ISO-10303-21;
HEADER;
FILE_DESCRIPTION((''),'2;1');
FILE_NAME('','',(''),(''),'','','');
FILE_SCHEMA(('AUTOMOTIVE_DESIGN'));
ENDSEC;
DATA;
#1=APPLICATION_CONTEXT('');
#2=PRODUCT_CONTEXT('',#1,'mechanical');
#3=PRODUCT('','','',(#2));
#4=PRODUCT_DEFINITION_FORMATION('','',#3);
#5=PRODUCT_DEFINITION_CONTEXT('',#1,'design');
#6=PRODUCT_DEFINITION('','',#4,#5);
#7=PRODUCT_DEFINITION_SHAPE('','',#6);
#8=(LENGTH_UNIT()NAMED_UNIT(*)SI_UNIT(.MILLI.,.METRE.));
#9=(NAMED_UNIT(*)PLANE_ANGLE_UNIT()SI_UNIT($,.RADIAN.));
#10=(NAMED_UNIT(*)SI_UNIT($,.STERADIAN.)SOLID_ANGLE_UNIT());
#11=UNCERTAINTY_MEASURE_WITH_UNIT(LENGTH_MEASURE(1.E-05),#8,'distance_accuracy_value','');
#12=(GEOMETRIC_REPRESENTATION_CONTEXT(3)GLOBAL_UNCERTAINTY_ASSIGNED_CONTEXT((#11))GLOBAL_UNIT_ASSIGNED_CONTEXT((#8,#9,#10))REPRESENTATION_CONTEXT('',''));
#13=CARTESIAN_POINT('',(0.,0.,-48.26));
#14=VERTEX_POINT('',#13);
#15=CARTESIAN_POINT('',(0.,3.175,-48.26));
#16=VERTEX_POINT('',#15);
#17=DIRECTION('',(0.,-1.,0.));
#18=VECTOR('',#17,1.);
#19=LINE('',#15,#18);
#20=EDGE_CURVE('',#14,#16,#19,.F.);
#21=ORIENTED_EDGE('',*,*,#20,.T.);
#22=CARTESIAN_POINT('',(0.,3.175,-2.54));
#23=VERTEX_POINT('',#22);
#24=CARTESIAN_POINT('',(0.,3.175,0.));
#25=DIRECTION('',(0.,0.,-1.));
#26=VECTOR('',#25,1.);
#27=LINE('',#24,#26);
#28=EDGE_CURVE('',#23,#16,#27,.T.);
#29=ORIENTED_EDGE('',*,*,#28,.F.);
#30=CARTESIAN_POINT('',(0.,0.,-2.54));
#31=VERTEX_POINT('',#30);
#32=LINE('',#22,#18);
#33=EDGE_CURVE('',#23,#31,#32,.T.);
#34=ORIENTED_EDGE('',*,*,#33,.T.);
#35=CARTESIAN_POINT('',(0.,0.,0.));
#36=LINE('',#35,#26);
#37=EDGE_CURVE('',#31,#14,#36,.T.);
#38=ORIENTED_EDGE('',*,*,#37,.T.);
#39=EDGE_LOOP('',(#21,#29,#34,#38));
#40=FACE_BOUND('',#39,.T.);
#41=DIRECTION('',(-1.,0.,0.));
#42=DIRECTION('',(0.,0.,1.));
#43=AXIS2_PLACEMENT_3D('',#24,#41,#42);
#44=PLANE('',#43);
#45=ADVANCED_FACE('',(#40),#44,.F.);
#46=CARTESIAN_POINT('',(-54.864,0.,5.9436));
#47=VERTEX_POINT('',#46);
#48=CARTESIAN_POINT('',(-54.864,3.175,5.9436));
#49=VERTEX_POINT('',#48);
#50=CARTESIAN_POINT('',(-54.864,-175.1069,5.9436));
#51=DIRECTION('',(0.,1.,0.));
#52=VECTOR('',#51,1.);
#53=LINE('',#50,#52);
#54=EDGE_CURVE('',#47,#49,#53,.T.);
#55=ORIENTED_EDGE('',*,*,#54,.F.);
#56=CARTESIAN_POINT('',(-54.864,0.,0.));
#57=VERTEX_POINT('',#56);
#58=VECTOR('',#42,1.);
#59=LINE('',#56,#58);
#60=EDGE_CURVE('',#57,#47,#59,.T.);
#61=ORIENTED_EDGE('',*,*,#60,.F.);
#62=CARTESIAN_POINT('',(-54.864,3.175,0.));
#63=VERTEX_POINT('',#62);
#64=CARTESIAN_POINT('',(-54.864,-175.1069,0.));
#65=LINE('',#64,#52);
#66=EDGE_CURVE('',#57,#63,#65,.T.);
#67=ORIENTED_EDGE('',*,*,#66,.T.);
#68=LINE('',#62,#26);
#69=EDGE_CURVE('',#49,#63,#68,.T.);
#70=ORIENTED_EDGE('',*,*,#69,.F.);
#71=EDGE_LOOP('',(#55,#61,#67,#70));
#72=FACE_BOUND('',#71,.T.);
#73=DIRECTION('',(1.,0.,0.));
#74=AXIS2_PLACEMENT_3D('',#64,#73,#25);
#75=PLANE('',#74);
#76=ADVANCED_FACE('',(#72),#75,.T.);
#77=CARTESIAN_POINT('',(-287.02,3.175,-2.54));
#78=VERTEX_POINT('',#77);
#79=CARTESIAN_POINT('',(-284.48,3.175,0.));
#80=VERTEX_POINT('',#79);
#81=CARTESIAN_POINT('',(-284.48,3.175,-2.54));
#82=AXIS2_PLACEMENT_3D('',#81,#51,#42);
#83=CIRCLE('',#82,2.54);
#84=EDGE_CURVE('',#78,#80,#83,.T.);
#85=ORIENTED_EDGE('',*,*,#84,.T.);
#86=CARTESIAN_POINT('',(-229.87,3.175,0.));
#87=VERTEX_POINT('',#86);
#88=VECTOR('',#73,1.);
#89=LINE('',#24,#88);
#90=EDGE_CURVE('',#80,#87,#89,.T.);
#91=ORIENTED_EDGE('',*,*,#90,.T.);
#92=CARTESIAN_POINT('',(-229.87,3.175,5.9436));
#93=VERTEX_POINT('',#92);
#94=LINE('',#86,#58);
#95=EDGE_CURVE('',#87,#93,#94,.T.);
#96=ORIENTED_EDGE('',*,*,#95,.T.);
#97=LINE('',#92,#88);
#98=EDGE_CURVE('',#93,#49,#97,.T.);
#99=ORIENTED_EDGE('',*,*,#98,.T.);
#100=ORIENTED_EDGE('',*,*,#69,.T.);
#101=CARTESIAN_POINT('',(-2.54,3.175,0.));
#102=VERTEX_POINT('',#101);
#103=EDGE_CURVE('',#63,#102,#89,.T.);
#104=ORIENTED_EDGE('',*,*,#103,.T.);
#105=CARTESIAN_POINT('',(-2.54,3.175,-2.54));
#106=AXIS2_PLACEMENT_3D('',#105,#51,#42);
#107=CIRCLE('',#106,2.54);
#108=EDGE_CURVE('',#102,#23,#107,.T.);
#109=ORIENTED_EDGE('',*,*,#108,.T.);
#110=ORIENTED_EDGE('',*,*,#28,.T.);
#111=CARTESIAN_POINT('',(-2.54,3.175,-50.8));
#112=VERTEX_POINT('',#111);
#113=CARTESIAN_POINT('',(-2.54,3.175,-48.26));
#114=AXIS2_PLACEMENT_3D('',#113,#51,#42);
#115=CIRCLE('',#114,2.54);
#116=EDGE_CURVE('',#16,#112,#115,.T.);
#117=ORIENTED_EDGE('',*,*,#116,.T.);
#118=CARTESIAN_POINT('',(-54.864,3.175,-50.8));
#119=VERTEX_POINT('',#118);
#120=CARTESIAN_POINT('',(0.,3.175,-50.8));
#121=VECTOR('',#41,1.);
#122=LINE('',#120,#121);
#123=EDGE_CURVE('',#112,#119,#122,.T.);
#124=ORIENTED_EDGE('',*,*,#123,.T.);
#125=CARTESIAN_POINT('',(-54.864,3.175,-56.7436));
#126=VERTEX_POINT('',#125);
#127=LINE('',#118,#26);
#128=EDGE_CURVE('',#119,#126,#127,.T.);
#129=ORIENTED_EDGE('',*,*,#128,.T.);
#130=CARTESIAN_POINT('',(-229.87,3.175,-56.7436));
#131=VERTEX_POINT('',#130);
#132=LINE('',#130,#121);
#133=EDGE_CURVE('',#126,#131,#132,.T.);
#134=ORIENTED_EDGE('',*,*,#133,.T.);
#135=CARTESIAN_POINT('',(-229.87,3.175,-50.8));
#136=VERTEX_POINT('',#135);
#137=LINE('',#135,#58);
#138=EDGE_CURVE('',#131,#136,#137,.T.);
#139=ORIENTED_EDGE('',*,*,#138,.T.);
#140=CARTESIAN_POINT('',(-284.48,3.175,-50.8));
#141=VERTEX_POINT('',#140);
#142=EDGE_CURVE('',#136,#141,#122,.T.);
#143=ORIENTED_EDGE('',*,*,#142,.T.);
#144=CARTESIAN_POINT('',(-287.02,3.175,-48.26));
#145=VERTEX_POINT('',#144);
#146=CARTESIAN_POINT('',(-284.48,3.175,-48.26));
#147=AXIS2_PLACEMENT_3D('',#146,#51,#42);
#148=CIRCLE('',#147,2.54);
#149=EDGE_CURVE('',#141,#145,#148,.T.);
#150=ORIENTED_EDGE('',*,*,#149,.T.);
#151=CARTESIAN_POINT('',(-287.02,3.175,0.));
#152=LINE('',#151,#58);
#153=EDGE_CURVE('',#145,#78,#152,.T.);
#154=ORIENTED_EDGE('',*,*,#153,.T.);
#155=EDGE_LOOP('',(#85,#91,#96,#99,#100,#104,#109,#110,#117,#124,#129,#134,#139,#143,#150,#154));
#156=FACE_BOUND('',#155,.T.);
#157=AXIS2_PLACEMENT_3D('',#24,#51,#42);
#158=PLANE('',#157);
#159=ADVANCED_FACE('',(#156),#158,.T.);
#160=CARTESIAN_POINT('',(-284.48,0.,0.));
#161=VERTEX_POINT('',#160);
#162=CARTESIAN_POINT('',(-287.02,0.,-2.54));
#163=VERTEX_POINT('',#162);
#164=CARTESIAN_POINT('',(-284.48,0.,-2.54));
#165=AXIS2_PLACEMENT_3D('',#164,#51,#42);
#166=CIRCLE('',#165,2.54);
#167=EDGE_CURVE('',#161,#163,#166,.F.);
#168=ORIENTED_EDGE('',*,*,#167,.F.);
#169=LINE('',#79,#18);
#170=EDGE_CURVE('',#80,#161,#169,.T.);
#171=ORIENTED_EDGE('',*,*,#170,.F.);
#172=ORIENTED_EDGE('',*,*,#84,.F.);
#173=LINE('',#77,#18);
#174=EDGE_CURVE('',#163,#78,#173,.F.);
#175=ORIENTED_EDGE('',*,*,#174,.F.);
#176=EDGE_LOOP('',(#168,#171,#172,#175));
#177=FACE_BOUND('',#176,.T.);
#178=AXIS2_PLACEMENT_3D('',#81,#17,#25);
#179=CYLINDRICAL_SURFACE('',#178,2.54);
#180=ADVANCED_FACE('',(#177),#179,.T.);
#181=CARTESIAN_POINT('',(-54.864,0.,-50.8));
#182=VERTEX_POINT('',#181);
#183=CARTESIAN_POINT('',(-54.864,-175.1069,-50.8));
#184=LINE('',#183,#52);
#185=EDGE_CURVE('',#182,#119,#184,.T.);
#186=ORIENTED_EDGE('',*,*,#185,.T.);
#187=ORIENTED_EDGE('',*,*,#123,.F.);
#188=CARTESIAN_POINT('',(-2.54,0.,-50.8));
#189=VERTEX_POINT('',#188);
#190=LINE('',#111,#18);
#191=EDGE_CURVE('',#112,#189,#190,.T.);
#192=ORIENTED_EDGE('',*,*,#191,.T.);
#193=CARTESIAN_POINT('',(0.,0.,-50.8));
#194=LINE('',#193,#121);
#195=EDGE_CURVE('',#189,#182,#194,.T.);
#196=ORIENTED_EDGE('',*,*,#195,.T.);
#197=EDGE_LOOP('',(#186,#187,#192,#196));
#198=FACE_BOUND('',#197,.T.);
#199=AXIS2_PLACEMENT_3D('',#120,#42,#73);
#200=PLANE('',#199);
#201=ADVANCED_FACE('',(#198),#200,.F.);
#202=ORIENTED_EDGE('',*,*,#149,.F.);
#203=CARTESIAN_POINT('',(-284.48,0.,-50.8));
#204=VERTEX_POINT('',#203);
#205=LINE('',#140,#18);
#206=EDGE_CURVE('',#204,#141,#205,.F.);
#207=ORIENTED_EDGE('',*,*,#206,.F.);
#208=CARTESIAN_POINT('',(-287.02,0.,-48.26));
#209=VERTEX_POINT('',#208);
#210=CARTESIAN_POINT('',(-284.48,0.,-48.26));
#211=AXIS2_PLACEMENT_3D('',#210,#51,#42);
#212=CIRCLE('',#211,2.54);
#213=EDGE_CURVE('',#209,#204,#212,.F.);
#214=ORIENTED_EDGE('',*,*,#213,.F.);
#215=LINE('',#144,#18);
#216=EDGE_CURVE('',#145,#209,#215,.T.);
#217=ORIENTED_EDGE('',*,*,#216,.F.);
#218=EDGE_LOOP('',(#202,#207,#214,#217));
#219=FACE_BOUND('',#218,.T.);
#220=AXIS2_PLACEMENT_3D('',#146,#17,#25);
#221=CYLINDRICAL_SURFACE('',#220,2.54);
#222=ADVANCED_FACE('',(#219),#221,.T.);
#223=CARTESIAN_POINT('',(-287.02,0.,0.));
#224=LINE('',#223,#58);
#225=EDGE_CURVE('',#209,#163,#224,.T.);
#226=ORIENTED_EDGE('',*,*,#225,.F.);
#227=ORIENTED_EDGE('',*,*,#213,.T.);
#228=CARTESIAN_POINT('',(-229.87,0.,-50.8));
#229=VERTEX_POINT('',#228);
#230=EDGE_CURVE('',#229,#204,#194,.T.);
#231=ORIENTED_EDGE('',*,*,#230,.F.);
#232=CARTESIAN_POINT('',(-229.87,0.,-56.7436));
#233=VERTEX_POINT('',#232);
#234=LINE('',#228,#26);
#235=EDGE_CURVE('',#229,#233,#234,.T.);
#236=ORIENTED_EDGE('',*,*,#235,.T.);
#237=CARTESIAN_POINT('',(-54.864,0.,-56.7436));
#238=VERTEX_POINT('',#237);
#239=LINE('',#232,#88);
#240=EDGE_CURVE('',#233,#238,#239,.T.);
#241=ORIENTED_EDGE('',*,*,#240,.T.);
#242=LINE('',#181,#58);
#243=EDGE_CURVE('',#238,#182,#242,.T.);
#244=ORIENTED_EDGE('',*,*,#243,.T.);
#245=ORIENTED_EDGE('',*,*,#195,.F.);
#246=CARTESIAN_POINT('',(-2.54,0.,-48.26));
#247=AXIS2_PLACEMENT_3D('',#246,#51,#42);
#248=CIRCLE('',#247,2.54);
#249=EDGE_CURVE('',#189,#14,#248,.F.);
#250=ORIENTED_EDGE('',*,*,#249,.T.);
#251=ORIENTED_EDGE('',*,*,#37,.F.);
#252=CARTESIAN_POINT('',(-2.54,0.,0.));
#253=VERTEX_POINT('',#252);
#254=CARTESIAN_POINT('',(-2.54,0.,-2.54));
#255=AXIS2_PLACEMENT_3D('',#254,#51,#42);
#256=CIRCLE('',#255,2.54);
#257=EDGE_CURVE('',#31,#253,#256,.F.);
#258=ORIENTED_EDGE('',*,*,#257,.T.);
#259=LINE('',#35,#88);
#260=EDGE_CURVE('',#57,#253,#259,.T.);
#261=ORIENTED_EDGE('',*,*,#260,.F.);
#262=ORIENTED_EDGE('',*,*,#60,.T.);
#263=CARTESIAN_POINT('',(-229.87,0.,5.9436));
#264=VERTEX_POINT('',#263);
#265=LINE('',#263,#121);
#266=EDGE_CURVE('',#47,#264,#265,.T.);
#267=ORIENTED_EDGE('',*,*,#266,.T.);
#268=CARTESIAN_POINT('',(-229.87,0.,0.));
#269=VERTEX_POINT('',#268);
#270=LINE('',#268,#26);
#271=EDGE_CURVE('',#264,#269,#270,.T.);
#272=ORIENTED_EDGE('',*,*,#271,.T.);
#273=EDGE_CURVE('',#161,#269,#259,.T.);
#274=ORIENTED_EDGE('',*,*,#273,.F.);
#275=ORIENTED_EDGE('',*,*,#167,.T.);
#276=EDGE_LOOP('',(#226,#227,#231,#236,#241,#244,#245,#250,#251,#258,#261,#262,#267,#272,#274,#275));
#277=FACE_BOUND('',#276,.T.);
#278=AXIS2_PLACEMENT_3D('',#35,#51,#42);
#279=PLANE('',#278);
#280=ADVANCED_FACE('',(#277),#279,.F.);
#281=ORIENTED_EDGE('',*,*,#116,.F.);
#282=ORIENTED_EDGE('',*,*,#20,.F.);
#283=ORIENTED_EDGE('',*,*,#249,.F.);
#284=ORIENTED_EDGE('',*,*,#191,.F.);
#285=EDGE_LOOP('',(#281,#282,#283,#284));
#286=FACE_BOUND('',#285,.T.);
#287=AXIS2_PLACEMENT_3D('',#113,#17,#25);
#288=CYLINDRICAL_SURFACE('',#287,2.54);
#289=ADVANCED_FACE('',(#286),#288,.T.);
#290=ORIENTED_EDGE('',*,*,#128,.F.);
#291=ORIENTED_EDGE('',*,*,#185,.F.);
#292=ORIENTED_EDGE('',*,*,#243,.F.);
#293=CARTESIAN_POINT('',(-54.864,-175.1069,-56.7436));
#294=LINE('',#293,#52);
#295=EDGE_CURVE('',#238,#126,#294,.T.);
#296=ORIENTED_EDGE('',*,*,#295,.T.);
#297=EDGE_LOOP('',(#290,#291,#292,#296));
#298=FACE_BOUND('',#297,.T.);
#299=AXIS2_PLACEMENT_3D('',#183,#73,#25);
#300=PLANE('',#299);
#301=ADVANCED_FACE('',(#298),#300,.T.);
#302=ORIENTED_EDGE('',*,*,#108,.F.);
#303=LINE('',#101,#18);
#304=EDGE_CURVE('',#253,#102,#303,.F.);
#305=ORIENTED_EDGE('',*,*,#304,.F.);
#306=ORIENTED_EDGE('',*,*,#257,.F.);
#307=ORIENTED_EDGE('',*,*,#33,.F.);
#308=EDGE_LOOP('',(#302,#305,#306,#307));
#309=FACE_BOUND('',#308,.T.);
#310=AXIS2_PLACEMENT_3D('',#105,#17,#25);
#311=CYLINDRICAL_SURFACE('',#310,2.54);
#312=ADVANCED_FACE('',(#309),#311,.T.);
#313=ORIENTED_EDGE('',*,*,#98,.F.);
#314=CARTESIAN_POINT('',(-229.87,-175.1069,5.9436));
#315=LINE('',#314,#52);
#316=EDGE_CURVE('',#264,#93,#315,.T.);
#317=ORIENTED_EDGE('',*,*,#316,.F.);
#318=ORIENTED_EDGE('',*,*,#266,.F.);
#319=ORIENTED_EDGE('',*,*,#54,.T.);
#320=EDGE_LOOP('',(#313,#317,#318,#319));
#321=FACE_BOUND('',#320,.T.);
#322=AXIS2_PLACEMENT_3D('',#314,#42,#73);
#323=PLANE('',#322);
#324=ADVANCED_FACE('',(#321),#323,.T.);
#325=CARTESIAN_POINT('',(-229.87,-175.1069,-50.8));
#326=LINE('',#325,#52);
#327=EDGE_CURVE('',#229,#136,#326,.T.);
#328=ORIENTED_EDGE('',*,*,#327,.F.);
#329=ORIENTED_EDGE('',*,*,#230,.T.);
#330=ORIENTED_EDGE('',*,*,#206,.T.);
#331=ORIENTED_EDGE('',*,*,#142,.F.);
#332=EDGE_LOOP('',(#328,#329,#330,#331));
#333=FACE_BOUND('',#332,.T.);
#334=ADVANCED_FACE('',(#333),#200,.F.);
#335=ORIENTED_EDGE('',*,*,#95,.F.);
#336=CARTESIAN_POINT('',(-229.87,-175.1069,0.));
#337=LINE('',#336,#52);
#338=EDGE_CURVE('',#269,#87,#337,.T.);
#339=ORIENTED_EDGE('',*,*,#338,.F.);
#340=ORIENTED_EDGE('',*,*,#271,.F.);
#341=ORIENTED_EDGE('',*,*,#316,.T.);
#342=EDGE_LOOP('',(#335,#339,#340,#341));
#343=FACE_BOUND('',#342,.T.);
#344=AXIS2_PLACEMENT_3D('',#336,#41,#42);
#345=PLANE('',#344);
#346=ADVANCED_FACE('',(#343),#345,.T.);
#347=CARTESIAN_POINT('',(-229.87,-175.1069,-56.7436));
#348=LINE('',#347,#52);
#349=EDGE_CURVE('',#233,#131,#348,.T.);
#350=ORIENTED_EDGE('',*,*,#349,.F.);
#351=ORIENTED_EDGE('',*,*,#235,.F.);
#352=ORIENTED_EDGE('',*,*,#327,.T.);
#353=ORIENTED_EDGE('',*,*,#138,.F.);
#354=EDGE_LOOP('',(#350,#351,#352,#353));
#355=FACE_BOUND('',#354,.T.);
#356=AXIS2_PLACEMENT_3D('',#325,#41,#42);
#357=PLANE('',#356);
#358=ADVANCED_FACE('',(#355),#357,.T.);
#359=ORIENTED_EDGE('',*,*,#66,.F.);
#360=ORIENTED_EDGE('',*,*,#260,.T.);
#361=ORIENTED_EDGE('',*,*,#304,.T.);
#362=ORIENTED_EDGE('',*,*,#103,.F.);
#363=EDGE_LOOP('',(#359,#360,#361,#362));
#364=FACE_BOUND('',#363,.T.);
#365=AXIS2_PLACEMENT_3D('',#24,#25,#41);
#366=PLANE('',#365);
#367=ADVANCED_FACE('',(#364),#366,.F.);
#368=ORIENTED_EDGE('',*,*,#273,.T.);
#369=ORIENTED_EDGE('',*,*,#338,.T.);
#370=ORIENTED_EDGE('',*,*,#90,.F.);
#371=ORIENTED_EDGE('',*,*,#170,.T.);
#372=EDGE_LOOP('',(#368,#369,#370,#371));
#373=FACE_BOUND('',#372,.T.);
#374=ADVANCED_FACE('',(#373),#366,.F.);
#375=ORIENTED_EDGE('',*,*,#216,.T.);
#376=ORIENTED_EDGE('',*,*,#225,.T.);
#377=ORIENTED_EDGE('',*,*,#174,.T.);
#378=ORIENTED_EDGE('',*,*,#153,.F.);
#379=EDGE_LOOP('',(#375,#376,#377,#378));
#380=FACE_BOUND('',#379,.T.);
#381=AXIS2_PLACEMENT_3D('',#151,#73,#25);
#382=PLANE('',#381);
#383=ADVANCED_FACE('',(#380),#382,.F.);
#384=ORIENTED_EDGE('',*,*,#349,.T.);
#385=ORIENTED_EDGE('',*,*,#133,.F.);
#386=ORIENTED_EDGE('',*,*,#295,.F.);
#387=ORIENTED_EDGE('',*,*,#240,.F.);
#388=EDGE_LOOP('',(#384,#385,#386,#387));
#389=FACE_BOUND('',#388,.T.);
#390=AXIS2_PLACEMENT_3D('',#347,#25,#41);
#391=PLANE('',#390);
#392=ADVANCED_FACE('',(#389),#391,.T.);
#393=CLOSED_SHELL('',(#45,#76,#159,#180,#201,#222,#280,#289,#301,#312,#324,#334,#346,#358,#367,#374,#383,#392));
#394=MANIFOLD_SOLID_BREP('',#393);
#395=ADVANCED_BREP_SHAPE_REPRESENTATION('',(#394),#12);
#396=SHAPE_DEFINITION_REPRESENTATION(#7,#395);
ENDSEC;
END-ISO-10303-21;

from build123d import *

# Parameters (mm, degrees)
SKETCH1_W           = 287.02
SKETCH1_H           = 50.8
BOSS_EXTRUDE1_DEPTH = 3.175
SKETCH2_W           = 175.006
SKETCH2_H           = 5.9436
BOSS_EXTRUDE2_DEPTH = 3.175
FILLET1_R           = 2.54
FILLET2_R           = 2.54


with BuildPart() as part:
    # Sketch1 → Boss-Extrude1 (new body)
    with BuildSketch(Plane(origin=(0, 0, 0), x_dir=(1, 0, 0), z_dir=(0, 1, 0))):
        with Locations((-143.51, 25.4)):
            Rectangle(SKETCH1_W, SKETCH1_H)
    extrude(amount=BOSS_EXTRUDE1_DEPTH)

    # Sketch2 → Boss-Extrude2 (add)
    with BuildSketch(Plane(origin=(0, 3.175, 0), x_dir=(1, 0, 0), z_dir=(0, 1, 0))):
        with Locations((-142.367, -2.9718)):
            Rectangle(SKETCH2_W, SKETCH2_H)
        with Locations((-142.367, 53.7718)):
            Rectangle(SKETCH2_W, SKETCH2_H)
    extrude(amount=-BOSS_EXTRUDE2_DEPTH)

    # Fillet1
    fillet1_edges = [part.edges().sort_by_distance(p)[0] for p in [
        (0, 1.5875, -50.8),
        (0, 1.5875, 0),
    ]]
    fillet(fillet1_edges, radius=FILLET1_R)

    # Fillet2
    fillet2_edges = [part.edges().sort_by_distance(p)[0] for p in [
        (-287.02, 1.5875, 0),
        (-287.02, 1.5875, -50.8),
    ]]
    fillet(fillet2_edges, radius=FILLET2_R)


solid = part.part
